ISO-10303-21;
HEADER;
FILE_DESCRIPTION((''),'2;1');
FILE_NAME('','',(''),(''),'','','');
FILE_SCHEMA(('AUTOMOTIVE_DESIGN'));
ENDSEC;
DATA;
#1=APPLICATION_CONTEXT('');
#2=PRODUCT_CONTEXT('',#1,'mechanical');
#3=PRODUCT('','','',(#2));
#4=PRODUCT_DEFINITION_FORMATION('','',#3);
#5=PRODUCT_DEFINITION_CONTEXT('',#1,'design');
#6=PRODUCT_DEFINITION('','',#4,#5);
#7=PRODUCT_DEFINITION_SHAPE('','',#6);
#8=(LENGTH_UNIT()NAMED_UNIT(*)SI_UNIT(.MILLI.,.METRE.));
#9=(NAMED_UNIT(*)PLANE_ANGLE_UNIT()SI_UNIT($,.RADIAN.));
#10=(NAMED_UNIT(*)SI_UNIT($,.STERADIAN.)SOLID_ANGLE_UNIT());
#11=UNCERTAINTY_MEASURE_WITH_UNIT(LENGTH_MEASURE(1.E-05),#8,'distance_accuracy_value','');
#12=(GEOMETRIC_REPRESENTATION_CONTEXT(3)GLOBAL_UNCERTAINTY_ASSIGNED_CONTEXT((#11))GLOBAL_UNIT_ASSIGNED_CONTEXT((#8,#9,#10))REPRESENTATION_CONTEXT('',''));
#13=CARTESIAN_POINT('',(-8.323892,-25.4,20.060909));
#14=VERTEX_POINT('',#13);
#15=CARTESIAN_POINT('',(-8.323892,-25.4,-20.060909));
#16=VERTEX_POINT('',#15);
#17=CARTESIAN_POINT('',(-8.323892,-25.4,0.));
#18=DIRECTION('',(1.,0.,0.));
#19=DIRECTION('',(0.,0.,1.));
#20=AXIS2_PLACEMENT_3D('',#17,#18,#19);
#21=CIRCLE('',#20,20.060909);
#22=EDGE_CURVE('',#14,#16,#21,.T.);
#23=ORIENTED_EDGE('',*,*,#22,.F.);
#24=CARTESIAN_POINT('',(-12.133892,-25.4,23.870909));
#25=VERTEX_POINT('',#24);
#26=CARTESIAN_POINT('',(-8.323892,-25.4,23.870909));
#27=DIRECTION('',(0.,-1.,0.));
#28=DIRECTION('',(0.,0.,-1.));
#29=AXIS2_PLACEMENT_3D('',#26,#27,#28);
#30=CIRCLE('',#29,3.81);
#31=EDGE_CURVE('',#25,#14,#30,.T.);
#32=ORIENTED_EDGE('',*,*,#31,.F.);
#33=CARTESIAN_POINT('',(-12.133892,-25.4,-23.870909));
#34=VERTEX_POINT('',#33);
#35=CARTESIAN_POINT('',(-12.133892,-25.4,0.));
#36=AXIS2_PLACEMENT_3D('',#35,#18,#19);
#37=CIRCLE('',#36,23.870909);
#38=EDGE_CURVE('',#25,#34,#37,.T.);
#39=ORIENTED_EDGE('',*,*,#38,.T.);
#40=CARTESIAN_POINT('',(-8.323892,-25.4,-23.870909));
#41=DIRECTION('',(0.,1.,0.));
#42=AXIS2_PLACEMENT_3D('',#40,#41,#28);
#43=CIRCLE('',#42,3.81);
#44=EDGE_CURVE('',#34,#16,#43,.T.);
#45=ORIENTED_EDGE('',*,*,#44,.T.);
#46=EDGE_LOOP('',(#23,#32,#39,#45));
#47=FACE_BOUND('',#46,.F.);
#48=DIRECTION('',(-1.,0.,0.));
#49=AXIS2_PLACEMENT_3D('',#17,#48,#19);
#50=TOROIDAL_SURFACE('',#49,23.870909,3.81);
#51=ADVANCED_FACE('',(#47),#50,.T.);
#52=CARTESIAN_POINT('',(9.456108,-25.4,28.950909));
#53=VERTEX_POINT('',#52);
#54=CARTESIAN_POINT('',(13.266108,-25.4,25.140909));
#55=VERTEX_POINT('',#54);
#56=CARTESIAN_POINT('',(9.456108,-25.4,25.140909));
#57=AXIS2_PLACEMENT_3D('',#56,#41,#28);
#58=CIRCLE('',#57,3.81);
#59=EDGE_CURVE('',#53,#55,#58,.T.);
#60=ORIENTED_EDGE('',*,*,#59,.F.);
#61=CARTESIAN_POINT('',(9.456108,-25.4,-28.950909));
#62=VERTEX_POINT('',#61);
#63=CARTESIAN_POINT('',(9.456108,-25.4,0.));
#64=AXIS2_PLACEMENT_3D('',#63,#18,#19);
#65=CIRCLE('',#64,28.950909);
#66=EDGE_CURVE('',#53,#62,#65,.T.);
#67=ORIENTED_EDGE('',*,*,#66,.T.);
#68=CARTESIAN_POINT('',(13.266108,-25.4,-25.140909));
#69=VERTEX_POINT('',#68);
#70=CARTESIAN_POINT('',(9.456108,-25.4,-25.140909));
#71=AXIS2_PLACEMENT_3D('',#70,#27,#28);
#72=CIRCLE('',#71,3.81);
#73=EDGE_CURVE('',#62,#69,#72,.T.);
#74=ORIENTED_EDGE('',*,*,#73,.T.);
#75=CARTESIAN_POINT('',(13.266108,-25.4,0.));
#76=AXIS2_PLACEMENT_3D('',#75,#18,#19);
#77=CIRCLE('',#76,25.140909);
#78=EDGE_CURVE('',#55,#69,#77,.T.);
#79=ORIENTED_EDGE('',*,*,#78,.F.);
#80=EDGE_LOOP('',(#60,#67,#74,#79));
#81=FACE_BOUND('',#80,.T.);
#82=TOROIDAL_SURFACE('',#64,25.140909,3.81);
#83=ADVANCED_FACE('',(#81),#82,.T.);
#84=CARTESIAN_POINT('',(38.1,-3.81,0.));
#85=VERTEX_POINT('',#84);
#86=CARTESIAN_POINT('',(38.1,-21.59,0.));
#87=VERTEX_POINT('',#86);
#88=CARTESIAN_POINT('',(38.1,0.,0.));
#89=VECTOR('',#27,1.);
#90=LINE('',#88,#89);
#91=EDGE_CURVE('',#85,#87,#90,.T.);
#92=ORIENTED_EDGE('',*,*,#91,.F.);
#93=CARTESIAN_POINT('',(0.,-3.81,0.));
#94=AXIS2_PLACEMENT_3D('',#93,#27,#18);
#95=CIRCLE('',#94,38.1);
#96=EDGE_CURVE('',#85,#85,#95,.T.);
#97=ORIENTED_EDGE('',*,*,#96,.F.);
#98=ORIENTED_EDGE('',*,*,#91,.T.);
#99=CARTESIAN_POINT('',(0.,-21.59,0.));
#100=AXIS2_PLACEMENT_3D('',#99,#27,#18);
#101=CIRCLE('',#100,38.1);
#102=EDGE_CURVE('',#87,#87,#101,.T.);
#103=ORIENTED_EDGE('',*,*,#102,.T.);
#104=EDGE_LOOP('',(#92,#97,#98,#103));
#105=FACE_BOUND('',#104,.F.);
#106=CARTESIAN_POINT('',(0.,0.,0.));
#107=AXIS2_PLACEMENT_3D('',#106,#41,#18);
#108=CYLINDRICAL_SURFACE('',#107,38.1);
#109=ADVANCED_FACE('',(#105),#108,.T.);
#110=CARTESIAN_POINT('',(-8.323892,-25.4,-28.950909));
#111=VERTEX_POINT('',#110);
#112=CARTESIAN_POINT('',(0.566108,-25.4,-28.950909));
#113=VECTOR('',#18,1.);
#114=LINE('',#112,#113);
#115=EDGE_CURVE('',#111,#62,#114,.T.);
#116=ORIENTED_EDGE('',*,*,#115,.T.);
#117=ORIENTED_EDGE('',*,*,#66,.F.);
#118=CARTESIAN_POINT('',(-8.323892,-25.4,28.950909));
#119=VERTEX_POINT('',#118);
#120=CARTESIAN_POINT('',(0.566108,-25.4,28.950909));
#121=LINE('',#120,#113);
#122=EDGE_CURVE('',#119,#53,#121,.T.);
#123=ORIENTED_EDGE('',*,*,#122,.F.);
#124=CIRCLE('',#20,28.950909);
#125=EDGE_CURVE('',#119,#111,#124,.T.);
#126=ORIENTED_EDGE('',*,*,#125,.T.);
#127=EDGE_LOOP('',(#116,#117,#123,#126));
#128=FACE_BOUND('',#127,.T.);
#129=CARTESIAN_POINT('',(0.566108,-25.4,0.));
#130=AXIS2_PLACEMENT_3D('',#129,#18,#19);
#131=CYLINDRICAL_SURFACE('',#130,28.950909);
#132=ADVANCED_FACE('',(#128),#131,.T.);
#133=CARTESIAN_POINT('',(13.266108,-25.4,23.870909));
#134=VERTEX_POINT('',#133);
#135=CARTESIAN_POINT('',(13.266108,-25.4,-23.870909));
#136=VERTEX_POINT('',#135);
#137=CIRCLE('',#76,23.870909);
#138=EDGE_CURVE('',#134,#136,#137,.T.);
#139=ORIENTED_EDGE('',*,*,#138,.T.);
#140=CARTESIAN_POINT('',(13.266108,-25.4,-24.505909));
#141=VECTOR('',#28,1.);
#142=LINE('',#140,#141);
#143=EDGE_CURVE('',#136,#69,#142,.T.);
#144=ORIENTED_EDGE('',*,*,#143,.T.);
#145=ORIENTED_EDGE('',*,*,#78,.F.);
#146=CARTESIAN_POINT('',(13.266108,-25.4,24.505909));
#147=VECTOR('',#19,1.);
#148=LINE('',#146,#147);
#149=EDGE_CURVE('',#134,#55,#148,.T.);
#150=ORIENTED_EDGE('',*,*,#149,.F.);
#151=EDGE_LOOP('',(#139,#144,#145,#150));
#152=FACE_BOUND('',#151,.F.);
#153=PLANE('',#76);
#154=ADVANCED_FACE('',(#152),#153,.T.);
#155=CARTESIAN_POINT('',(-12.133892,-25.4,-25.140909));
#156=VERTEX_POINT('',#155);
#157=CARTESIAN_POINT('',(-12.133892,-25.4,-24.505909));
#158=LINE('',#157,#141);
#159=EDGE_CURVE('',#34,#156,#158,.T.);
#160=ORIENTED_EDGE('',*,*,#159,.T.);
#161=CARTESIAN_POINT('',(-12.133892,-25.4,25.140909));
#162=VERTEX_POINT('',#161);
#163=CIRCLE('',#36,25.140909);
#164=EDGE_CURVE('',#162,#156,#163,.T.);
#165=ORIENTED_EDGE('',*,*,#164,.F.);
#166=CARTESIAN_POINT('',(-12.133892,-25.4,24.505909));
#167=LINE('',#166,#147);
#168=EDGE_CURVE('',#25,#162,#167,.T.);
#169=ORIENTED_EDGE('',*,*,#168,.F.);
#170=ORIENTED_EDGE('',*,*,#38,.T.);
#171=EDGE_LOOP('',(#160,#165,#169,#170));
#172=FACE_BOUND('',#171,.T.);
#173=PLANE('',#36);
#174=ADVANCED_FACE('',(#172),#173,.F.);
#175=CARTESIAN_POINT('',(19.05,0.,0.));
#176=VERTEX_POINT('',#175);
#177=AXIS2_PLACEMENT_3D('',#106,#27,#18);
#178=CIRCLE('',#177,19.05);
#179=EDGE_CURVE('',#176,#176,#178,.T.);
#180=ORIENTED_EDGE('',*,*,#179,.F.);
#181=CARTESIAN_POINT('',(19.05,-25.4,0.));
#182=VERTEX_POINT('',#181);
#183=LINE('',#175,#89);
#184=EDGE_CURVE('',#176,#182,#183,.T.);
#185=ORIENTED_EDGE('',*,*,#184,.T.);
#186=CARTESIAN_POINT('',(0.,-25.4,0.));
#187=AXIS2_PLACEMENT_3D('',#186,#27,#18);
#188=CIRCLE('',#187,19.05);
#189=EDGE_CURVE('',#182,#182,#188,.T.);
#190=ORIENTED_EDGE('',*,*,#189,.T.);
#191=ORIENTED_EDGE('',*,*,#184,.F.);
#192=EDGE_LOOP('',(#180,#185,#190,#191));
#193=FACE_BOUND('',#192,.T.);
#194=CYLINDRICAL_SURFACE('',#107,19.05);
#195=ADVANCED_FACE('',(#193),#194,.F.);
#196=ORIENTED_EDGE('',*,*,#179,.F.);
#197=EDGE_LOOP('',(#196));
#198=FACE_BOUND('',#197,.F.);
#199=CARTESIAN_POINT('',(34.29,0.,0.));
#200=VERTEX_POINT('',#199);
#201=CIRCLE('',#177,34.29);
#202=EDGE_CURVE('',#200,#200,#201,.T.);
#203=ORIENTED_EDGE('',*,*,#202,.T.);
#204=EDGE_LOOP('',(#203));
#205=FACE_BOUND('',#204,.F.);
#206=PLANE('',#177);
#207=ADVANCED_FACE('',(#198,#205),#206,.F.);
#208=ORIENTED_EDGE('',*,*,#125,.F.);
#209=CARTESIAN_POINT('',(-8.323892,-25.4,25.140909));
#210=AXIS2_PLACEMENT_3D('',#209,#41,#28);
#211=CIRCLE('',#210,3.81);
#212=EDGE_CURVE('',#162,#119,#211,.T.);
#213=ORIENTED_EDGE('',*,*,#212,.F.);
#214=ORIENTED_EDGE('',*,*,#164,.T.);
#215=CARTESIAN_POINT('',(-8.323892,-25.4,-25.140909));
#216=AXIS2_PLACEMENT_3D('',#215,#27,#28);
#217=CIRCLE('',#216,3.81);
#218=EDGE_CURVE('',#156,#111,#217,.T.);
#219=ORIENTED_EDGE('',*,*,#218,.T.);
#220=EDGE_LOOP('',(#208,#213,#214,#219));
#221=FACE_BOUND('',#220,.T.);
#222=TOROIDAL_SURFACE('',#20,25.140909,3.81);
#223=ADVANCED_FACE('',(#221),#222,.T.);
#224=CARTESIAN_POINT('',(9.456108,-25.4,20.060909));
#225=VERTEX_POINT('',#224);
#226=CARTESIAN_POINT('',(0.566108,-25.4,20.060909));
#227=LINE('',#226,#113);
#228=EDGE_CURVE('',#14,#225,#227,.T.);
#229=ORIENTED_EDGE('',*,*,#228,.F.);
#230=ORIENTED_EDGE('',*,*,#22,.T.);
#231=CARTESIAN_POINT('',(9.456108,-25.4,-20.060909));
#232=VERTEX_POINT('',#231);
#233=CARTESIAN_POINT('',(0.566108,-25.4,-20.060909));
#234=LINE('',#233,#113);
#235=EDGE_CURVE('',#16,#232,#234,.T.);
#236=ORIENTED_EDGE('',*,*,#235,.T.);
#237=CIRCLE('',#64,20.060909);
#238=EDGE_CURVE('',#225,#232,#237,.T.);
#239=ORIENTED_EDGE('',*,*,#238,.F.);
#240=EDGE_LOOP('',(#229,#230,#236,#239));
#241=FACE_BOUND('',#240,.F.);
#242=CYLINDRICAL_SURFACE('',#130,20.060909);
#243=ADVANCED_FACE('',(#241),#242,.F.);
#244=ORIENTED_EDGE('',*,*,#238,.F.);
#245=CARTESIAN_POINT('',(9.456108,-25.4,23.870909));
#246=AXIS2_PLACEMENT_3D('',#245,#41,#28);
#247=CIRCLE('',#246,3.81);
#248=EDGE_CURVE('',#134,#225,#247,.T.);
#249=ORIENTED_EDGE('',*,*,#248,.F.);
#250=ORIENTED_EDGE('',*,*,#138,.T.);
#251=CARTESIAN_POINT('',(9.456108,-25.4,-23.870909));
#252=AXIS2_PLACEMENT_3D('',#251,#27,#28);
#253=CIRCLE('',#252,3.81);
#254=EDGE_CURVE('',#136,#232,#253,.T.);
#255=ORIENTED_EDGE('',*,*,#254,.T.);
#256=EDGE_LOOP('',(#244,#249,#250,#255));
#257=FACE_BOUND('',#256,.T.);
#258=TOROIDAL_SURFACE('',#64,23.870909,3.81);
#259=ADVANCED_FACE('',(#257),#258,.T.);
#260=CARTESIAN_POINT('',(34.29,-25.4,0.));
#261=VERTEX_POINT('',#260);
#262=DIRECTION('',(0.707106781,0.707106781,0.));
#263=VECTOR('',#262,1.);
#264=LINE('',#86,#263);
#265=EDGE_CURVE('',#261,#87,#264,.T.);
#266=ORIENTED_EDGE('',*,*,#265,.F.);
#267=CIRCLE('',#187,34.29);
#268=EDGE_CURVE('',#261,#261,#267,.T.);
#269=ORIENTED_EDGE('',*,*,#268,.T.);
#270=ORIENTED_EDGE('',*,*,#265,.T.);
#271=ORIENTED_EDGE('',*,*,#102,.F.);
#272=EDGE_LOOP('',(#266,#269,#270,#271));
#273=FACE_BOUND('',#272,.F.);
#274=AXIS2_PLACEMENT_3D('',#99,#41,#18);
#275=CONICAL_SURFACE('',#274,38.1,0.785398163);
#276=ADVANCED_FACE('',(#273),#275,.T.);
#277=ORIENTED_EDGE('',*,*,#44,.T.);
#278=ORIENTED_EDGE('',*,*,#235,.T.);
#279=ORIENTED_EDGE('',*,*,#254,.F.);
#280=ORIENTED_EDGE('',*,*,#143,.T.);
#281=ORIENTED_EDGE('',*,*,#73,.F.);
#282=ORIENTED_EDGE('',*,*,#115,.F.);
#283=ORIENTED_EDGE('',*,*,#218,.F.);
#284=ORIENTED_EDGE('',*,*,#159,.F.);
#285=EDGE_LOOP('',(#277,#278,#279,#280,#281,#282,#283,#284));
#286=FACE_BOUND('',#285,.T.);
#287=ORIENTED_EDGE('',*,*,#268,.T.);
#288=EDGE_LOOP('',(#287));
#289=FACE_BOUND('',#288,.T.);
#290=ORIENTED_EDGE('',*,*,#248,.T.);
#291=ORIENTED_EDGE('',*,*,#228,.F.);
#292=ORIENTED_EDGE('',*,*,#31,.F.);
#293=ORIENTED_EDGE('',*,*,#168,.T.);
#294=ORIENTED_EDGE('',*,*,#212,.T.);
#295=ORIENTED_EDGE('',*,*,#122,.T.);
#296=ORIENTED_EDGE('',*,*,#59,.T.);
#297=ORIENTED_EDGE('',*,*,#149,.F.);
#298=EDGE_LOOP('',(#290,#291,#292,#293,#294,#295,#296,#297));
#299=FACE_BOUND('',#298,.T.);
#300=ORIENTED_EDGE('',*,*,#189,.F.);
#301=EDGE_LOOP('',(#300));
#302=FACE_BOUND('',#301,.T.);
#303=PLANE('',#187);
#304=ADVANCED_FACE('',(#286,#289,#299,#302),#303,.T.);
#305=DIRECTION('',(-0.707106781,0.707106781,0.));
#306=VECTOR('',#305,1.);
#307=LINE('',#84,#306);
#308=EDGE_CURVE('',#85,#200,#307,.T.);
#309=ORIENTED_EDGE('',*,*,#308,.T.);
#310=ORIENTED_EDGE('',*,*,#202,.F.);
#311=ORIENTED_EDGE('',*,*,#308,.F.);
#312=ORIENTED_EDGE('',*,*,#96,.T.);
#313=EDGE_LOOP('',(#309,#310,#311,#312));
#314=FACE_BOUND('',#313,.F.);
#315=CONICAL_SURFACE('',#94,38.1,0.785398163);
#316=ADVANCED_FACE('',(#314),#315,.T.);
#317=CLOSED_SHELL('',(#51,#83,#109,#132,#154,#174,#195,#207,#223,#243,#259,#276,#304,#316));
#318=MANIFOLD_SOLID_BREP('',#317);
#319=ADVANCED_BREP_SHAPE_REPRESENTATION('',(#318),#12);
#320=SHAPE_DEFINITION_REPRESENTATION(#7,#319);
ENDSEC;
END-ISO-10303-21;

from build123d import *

# Parameters (mm, degrees)
F0_R     = 38.1
F0_R_2   = 19.05
F1_DEPTH = 25.4
F2_W     = 25.4
F2_H     = 8.89
F3_ANGLE = 180
F4_R     = 3.81
F5_SIZE  = 3.81


with BuildPart() as f1:
    # F0 (on Front) → F1 (new body)
    with BuildSketch(Plane.XZ):
        Circle(F0_R)
        Circle(F0_R_2, mode=Mode.SUBTRACT)
    extrude(amount=F1_DEPTH)

    # F2 (on face) → F3 (revolve)
    with BuildSketch(Plane.XZ.offset(25.4)):
        with Locations((0.5661081523, 24.5059088439)):
            Rectangle(F2_W, F2_H)
    revolve(axis=Axis((-5.3780302405, -25.4, 0), (1, 0, 0)), revolution_arc=F3_ANGLE)

    # F4
    f4_edges = [f1.edges().sort_by_distance(p)[0] for p in [
        (13.266108, -54.350909, 0),
        (-12.133892, -54.350909, 0),
        (13.266108, -45.460909, 0),
        (-12.133892, -45.460909, 0),
    ]]
    fillet(f4_edges, radius=F4_R)

    # F5
    f5_edges = [f1.edges().sort_by_distance(p)[0] for p in [
        (-38.1, -25.4, 0),
        (-38.1, 0, 0),
    ]]
    chamfer(f5_edges, length=F5_SIZE)


solid = f1.part
